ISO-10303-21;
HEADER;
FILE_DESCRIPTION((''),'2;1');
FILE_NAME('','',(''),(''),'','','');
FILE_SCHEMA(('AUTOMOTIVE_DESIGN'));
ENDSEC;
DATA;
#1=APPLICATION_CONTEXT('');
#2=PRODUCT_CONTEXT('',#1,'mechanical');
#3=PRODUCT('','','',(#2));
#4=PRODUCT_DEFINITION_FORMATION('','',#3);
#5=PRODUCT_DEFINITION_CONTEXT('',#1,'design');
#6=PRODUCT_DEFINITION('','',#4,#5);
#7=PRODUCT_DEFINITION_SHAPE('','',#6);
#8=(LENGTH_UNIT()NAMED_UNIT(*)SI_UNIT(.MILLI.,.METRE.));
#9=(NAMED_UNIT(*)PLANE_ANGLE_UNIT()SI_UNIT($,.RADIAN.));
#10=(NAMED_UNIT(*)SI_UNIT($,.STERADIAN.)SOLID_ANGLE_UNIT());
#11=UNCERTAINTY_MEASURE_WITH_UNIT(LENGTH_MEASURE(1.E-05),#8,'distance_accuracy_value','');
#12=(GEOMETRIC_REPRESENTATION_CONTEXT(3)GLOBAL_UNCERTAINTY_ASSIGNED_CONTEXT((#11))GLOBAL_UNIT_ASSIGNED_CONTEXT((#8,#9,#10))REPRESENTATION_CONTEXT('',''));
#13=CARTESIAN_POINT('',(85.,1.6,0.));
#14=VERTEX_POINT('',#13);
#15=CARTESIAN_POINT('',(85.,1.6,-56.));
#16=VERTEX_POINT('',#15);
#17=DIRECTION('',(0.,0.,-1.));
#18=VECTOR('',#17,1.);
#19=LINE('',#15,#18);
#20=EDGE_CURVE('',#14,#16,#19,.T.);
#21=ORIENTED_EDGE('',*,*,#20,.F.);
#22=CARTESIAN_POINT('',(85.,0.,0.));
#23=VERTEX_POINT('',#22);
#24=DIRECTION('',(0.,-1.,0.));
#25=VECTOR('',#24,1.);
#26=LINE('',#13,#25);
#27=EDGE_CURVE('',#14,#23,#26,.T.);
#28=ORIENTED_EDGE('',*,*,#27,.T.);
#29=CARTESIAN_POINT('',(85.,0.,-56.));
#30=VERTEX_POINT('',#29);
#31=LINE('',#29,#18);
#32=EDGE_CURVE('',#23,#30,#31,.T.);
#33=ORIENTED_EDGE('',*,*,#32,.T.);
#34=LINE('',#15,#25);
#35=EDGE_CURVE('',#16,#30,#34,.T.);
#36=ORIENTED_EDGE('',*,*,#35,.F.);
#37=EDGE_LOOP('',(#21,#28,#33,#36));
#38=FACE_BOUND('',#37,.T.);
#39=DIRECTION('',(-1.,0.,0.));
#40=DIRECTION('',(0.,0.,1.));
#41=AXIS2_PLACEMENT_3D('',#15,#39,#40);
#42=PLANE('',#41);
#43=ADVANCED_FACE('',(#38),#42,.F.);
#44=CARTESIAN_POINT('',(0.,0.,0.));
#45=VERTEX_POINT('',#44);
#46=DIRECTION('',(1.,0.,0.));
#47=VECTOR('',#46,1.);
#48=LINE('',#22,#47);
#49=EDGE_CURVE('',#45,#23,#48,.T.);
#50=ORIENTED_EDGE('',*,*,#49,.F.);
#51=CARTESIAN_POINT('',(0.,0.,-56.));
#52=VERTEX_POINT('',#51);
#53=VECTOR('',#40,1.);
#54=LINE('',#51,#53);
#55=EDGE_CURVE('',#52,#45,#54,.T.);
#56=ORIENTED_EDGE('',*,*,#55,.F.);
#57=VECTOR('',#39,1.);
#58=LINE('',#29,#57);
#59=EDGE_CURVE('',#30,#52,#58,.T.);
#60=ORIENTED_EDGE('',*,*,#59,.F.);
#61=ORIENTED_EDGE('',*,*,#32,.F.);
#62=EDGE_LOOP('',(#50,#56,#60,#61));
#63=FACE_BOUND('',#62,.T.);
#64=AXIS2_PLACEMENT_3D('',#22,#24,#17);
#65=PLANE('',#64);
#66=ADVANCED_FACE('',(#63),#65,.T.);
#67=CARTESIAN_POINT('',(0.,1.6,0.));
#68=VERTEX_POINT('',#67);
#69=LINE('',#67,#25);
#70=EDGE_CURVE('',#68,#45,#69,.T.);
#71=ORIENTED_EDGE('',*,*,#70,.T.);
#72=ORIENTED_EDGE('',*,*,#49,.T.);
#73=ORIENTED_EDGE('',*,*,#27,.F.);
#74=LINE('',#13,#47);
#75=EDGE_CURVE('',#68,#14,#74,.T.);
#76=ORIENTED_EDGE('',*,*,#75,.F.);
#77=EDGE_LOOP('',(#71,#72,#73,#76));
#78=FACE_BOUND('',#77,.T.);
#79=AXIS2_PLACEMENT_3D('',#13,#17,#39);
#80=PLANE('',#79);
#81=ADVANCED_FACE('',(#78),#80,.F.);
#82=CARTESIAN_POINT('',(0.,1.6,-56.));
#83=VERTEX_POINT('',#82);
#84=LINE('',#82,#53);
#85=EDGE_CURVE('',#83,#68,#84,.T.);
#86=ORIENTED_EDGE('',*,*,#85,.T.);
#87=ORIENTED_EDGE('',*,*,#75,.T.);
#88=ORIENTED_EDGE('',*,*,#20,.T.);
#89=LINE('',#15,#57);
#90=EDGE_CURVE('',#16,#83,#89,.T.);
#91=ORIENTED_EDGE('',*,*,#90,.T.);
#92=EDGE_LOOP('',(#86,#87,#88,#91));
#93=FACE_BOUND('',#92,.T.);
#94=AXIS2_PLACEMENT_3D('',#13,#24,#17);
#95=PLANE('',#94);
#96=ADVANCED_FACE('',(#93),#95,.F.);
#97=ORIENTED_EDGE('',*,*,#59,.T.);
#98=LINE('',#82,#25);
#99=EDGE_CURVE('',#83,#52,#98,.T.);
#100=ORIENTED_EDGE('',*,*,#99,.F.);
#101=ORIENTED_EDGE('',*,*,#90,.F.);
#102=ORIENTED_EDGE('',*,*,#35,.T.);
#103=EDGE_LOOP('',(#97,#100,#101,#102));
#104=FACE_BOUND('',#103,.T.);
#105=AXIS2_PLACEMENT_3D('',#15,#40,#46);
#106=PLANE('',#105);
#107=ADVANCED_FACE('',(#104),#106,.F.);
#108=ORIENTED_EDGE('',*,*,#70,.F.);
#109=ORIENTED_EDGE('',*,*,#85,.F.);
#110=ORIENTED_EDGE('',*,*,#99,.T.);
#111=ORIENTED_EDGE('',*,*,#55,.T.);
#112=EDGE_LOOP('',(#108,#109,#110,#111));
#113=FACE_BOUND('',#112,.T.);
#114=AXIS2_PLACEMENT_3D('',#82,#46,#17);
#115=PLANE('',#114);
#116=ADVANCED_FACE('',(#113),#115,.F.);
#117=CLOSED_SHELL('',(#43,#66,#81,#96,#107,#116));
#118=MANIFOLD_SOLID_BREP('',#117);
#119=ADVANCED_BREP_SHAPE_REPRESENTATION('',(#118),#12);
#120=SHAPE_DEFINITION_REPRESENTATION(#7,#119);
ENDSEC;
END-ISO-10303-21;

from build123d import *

# Parameters (mm, degrees)
SKETCH1_W        = 85
SKETCH1_H        = 56
PRINTPLAAT_DEPTH = 1.6


with BuildPart() as part:
    # Sketch1 → Printplaat (new body)
    with BuildSketch(Plane(origin=(0, 0, 0), x_dir=(1, 0, 0), z_dir=(0, 1, 0))):
        with Locations((42.5, 28)):
            Rectangle(SKETCH1_W, SKETCH1_H)
    extrude(amount=PRINTPLAAT_DEPTH)


solid = part.part
